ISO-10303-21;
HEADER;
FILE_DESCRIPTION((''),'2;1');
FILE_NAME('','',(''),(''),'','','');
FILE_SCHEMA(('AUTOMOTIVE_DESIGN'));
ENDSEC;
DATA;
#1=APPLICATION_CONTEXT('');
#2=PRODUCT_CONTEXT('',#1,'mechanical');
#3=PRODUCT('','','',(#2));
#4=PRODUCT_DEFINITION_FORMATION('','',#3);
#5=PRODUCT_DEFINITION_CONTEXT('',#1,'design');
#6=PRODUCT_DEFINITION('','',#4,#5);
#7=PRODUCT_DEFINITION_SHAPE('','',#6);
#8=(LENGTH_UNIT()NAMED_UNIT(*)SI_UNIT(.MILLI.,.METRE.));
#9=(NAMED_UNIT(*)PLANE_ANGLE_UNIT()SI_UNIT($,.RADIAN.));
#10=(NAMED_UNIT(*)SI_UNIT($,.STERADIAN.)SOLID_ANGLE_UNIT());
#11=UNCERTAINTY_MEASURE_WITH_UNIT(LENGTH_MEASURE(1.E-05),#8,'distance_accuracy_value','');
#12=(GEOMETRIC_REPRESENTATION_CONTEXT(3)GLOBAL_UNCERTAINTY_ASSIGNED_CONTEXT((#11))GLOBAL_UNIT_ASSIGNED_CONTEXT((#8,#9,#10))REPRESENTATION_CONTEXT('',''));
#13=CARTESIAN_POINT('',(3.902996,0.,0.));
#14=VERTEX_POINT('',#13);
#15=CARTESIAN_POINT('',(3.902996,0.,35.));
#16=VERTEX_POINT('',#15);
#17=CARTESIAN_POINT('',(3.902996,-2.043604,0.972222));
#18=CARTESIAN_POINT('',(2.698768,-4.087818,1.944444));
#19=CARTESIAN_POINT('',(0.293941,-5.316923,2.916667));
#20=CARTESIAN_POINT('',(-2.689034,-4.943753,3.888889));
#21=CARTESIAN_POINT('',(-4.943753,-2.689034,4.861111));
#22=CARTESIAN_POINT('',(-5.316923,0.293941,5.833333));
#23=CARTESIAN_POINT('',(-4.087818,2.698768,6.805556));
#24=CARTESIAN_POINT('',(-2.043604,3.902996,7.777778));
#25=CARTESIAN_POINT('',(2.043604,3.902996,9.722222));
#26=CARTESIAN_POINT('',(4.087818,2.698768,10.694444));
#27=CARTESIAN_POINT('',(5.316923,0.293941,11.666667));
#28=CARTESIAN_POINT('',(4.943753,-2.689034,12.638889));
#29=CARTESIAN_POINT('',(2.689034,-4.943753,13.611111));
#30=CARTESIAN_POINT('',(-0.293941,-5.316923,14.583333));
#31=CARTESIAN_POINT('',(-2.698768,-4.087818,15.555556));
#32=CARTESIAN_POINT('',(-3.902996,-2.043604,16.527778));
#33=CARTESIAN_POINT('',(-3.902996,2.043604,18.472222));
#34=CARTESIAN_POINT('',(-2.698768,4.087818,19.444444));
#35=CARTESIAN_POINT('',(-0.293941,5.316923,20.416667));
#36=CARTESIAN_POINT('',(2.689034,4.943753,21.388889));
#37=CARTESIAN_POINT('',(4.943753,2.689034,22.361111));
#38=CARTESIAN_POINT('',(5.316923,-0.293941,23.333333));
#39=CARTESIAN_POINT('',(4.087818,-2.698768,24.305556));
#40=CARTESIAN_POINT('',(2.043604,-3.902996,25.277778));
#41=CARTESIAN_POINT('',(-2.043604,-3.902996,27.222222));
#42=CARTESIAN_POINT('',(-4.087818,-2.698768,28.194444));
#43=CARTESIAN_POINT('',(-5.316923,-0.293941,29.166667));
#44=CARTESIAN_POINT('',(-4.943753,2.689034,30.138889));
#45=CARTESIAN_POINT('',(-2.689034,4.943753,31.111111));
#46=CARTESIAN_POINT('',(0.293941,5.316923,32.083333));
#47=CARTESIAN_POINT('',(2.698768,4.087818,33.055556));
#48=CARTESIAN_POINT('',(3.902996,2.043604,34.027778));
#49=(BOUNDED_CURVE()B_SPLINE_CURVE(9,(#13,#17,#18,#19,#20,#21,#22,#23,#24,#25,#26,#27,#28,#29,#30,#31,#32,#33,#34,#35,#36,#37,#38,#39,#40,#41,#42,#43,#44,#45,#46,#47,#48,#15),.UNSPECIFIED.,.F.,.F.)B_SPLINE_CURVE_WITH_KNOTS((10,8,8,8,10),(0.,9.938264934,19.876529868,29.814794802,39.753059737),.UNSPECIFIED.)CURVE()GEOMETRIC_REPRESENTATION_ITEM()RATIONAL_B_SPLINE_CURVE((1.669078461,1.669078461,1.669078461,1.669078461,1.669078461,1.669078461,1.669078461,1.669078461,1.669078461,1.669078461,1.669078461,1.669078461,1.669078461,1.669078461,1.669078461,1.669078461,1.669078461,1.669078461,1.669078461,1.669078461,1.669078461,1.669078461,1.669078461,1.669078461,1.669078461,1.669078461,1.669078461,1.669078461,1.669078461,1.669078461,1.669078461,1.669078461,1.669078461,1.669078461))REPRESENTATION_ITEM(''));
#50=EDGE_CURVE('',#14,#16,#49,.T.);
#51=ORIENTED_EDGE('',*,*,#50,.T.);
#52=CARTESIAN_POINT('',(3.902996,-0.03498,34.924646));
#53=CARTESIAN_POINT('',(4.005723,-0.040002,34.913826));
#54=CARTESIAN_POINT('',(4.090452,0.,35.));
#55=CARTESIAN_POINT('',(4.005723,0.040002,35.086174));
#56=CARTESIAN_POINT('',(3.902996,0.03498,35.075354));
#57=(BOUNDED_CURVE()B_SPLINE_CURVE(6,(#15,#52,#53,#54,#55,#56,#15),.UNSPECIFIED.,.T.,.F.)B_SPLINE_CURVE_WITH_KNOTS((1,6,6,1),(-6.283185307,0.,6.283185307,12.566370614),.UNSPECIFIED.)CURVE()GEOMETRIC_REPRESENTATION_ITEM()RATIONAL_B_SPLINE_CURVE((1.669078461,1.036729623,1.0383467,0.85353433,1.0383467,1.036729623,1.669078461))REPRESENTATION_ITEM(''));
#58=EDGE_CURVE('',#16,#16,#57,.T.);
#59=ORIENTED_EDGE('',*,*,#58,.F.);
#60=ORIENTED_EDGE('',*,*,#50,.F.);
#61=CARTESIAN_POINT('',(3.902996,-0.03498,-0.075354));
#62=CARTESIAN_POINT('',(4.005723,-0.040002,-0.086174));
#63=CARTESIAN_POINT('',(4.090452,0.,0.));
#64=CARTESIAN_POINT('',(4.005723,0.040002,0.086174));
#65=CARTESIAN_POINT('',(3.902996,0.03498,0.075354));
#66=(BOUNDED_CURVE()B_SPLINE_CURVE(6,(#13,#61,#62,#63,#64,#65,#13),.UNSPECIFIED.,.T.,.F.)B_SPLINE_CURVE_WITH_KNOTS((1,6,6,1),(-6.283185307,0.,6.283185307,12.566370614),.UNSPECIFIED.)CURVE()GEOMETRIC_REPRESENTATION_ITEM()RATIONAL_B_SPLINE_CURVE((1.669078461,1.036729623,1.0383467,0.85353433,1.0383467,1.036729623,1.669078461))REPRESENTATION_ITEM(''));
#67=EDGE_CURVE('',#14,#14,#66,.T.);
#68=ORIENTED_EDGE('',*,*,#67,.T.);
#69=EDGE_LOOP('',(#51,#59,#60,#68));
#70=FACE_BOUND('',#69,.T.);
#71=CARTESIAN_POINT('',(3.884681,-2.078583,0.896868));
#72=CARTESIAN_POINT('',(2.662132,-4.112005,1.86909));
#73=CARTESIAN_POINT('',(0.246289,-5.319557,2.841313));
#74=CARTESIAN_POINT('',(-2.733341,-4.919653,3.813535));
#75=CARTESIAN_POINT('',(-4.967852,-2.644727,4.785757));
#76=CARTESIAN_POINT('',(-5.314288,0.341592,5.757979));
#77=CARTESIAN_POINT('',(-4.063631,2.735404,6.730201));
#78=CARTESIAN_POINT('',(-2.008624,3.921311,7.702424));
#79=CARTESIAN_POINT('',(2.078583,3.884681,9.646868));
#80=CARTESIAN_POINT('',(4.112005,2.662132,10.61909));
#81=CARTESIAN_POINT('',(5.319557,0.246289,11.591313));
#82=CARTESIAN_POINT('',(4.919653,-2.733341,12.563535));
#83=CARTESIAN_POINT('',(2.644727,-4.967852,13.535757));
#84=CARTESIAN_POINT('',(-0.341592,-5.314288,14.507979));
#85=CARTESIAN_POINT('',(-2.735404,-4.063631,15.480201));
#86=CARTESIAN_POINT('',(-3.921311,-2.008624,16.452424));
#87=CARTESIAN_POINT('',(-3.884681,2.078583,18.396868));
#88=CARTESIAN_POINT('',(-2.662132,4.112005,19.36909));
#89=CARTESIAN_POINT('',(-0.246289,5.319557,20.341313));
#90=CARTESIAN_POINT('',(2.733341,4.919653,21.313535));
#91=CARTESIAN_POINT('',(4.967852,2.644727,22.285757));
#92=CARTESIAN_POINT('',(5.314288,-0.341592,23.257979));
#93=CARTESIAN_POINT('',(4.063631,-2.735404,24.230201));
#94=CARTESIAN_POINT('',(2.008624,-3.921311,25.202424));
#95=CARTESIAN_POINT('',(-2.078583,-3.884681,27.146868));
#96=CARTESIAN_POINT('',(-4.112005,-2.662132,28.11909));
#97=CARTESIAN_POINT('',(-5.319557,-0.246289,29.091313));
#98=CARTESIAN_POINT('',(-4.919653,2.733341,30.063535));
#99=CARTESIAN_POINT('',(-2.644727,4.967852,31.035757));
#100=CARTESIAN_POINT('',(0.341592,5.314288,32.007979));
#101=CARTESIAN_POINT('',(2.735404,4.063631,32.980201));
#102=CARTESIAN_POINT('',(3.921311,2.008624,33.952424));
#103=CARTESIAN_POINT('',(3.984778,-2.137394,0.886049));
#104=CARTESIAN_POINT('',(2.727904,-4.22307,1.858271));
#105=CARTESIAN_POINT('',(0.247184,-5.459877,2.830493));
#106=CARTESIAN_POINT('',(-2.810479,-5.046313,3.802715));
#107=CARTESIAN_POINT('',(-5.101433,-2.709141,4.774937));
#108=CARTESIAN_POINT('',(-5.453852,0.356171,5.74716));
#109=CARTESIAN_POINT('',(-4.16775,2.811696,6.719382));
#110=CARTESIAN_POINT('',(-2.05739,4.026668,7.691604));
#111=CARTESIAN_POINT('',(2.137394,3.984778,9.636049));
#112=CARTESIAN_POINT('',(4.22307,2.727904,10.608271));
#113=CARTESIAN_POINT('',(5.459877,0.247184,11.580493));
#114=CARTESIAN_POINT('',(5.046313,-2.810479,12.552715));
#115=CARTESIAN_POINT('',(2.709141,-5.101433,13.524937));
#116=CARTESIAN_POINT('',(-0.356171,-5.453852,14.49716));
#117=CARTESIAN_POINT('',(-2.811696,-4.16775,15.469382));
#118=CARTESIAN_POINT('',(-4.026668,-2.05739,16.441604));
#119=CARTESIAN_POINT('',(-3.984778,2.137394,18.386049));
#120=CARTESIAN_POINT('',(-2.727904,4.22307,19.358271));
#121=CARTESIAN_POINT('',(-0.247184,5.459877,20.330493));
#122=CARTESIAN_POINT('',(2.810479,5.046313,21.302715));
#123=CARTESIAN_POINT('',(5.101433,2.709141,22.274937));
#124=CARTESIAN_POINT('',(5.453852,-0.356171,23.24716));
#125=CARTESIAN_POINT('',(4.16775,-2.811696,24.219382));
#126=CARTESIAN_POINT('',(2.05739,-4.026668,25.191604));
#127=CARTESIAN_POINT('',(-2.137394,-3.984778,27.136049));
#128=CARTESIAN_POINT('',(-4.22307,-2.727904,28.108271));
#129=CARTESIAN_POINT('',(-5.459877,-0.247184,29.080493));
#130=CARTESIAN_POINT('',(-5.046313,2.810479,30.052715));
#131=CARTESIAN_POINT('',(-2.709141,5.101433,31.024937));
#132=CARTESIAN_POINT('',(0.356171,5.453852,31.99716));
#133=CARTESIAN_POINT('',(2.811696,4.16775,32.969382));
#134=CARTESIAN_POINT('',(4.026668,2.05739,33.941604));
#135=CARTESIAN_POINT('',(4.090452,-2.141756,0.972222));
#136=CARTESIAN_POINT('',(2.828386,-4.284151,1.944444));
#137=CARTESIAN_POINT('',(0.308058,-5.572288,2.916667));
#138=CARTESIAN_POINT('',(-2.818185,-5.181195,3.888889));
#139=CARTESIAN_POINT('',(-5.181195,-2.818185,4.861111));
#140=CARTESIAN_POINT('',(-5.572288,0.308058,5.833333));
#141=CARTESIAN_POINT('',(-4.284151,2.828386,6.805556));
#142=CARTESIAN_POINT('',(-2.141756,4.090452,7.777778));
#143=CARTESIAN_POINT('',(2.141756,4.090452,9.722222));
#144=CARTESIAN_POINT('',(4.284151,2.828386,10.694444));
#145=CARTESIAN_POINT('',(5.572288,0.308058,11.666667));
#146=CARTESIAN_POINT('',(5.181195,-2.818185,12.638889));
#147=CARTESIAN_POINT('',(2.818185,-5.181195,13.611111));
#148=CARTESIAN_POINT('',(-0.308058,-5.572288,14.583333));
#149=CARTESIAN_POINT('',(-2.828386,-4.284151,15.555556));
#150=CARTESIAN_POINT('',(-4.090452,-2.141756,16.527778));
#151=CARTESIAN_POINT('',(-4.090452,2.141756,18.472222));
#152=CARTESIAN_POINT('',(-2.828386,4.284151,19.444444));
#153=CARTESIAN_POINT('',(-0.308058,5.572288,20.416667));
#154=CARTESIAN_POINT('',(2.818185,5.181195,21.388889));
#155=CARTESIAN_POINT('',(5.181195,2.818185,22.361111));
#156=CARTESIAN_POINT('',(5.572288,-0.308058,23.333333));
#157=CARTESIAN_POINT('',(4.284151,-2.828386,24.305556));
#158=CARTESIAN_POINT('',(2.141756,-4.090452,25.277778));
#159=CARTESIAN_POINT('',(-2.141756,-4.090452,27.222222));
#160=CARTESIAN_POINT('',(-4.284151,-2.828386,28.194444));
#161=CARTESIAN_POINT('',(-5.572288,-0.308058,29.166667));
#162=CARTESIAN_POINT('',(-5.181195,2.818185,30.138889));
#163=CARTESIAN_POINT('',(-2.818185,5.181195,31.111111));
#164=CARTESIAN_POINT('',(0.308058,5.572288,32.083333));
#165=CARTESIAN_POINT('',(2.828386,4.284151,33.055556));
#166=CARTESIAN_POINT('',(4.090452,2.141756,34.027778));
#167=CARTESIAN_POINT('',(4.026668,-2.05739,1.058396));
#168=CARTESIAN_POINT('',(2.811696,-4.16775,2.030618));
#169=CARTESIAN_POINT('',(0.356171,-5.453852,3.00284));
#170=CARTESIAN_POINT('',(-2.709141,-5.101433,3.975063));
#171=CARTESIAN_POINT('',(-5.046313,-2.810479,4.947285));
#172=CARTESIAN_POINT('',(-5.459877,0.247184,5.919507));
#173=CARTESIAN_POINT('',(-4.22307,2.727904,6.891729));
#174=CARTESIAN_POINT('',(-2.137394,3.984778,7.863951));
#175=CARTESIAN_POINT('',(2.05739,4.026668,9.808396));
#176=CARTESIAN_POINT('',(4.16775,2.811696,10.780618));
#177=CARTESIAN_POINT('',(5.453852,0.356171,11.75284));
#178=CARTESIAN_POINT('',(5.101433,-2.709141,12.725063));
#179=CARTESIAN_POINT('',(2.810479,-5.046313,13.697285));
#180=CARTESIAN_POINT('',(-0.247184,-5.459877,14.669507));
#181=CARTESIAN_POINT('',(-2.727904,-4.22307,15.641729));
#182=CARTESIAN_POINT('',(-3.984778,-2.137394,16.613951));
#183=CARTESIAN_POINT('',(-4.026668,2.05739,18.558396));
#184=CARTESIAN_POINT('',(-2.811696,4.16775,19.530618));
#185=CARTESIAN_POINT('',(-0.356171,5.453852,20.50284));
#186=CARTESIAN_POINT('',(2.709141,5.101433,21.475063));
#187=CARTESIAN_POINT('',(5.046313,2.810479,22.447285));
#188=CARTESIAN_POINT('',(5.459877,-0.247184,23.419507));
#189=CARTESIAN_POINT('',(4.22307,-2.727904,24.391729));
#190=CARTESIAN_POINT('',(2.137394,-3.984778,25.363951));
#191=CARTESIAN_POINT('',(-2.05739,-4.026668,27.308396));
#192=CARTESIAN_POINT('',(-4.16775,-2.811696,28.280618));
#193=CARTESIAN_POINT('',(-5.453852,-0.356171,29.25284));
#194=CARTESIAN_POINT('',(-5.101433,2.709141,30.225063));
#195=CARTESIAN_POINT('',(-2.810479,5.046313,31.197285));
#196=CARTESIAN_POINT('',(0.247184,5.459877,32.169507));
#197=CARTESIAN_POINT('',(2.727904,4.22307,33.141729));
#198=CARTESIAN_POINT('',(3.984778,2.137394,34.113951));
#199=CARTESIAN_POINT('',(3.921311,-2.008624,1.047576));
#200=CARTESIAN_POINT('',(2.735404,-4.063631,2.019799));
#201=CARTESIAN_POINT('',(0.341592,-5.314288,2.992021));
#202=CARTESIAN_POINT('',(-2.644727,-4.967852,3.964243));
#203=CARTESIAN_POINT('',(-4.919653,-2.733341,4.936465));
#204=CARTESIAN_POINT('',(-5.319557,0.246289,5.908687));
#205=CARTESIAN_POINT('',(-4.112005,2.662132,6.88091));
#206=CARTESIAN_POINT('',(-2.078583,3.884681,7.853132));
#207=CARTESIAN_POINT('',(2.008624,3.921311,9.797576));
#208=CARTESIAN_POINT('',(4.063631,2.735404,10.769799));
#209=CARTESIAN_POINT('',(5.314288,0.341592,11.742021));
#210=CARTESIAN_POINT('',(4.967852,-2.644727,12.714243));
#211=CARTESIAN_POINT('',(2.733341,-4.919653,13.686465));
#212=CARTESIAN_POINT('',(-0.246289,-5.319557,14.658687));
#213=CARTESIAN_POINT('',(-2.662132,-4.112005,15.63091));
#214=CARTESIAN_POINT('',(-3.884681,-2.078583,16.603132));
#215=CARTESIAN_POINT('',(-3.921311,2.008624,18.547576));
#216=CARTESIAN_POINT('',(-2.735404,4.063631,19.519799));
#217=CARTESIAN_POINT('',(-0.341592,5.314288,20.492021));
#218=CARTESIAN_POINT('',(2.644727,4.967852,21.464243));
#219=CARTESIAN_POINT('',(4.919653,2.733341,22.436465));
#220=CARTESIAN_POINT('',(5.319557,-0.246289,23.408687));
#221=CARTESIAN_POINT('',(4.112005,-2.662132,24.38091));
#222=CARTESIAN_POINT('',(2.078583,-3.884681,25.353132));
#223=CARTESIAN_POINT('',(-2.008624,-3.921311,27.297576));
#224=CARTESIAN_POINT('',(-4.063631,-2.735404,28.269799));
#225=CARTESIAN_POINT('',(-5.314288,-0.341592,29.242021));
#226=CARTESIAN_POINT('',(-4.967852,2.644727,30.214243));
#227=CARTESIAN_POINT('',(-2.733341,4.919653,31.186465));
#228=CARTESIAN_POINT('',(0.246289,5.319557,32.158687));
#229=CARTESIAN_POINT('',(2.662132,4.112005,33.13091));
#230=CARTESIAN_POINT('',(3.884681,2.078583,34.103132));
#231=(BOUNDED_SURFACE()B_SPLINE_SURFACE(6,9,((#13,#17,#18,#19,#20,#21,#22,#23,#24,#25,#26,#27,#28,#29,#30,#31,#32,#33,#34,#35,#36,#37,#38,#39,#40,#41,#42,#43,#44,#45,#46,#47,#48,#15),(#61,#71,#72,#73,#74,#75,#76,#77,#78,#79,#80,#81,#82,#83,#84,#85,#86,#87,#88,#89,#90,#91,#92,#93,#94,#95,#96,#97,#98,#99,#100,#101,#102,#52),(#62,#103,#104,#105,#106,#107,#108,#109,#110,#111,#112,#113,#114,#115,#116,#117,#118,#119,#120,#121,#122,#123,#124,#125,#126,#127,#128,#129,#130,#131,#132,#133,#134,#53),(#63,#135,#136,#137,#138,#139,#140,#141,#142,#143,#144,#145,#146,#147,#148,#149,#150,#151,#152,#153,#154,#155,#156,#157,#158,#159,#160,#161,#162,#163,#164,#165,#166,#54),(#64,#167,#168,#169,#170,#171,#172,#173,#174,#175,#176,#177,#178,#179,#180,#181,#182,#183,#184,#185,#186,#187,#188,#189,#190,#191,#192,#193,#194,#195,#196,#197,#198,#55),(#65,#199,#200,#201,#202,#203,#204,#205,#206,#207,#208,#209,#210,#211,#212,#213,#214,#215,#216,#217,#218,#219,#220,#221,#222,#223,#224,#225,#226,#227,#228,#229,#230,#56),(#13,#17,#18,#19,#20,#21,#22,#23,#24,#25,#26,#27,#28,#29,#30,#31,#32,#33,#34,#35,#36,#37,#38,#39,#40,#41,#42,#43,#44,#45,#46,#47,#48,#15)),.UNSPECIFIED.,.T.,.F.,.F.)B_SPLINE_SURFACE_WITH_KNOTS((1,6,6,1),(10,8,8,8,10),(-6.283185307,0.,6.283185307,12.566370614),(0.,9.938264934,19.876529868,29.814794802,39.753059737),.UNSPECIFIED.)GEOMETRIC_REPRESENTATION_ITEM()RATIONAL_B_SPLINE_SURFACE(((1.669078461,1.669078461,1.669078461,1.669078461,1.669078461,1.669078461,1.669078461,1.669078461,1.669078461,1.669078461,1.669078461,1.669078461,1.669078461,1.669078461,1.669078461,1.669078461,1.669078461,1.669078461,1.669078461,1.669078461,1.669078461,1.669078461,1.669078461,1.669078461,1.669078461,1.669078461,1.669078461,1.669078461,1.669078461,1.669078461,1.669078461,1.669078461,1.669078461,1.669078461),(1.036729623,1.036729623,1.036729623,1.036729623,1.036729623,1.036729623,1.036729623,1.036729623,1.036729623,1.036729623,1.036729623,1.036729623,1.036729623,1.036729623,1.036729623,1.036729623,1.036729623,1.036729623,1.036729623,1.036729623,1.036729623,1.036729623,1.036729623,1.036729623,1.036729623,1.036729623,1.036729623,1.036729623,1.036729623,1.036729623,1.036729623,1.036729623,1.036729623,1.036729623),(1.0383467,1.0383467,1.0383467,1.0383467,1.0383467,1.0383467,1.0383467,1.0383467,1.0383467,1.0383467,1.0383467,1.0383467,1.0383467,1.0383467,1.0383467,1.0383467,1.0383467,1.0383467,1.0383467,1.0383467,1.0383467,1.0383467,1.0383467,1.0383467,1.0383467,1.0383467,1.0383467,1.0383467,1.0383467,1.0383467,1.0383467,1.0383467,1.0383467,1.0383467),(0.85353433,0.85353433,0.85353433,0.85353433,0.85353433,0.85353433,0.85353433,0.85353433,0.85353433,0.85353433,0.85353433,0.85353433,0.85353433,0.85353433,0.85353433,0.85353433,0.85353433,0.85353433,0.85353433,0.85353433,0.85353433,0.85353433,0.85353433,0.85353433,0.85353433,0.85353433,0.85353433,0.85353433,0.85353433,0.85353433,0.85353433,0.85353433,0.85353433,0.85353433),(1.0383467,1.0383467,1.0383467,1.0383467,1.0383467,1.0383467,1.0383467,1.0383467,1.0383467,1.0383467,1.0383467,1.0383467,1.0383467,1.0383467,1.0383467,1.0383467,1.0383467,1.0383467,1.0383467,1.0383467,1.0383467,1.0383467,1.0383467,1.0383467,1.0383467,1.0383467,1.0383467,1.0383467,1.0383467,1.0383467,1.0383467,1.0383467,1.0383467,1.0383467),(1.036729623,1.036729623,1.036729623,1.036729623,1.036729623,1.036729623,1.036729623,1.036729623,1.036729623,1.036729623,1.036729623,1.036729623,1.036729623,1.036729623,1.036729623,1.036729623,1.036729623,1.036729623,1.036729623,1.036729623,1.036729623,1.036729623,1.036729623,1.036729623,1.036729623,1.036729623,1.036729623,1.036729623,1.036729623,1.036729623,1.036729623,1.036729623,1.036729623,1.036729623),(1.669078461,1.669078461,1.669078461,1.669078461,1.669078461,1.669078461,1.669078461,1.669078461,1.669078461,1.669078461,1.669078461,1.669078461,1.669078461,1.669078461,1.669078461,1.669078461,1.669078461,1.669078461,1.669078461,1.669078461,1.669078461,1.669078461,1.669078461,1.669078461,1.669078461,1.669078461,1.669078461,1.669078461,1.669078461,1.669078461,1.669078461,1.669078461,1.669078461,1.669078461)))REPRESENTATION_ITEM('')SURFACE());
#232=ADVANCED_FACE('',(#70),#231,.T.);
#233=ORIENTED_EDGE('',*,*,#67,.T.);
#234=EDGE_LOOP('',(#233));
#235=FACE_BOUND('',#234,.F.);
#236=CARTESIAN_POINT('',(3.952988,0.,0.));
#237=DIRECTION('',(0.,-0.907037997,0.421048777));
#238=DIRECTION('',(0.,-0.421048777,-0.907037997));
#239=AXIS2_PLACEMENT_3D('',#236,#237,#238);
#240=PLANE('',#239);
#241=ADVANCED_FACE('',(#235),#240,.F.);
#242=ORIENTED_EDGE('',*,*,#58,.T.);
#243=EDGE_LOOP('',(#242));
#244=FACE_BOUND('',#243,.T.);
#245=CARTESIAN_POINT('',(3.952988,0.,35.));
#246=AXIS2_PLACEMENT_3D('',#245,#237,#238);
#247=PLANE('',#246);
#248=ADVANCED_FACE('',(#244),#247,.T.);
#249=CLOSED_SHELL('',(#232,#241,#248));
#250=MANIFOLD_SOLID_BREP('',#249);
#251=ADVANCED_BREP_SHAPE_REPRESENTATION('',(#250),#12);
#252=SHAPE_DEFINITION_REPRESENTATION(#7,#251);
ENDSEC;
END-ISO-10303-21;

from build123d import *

# Parameters (mm, degrees)
SWEEP1_PITCH  = 11.666666667
SWEEP1_HEIGHT = 35
SWEEP1_RADIUS = 4
SKETCH4_R     = 0.05


with BuildPart() as part:
    # Sweep1: sweep along a helix
    with BuildLine() as sweep1_path:
        Helix(SWEEP1_PITCH, SWEEP1_HEIGHT, SWEEP1_RADIUS, center=(0, 0, 0), direction=(0, 0, 1), lefthand=True)
    # Sketch4 → Sweep1 (sweep)
    with BuildSketch(Plane(origin=(4, 0, 0), x_dir=(-1, 0, 0), z_dir=(0, -0.9070379965996777, 0.42104877713210737))):
        with Locations((0.047003984, 0)):
            Circle(SKETCH4_R)
    sweep(path=sweep1_path.line, is_frenet=True)


solid = part.part
